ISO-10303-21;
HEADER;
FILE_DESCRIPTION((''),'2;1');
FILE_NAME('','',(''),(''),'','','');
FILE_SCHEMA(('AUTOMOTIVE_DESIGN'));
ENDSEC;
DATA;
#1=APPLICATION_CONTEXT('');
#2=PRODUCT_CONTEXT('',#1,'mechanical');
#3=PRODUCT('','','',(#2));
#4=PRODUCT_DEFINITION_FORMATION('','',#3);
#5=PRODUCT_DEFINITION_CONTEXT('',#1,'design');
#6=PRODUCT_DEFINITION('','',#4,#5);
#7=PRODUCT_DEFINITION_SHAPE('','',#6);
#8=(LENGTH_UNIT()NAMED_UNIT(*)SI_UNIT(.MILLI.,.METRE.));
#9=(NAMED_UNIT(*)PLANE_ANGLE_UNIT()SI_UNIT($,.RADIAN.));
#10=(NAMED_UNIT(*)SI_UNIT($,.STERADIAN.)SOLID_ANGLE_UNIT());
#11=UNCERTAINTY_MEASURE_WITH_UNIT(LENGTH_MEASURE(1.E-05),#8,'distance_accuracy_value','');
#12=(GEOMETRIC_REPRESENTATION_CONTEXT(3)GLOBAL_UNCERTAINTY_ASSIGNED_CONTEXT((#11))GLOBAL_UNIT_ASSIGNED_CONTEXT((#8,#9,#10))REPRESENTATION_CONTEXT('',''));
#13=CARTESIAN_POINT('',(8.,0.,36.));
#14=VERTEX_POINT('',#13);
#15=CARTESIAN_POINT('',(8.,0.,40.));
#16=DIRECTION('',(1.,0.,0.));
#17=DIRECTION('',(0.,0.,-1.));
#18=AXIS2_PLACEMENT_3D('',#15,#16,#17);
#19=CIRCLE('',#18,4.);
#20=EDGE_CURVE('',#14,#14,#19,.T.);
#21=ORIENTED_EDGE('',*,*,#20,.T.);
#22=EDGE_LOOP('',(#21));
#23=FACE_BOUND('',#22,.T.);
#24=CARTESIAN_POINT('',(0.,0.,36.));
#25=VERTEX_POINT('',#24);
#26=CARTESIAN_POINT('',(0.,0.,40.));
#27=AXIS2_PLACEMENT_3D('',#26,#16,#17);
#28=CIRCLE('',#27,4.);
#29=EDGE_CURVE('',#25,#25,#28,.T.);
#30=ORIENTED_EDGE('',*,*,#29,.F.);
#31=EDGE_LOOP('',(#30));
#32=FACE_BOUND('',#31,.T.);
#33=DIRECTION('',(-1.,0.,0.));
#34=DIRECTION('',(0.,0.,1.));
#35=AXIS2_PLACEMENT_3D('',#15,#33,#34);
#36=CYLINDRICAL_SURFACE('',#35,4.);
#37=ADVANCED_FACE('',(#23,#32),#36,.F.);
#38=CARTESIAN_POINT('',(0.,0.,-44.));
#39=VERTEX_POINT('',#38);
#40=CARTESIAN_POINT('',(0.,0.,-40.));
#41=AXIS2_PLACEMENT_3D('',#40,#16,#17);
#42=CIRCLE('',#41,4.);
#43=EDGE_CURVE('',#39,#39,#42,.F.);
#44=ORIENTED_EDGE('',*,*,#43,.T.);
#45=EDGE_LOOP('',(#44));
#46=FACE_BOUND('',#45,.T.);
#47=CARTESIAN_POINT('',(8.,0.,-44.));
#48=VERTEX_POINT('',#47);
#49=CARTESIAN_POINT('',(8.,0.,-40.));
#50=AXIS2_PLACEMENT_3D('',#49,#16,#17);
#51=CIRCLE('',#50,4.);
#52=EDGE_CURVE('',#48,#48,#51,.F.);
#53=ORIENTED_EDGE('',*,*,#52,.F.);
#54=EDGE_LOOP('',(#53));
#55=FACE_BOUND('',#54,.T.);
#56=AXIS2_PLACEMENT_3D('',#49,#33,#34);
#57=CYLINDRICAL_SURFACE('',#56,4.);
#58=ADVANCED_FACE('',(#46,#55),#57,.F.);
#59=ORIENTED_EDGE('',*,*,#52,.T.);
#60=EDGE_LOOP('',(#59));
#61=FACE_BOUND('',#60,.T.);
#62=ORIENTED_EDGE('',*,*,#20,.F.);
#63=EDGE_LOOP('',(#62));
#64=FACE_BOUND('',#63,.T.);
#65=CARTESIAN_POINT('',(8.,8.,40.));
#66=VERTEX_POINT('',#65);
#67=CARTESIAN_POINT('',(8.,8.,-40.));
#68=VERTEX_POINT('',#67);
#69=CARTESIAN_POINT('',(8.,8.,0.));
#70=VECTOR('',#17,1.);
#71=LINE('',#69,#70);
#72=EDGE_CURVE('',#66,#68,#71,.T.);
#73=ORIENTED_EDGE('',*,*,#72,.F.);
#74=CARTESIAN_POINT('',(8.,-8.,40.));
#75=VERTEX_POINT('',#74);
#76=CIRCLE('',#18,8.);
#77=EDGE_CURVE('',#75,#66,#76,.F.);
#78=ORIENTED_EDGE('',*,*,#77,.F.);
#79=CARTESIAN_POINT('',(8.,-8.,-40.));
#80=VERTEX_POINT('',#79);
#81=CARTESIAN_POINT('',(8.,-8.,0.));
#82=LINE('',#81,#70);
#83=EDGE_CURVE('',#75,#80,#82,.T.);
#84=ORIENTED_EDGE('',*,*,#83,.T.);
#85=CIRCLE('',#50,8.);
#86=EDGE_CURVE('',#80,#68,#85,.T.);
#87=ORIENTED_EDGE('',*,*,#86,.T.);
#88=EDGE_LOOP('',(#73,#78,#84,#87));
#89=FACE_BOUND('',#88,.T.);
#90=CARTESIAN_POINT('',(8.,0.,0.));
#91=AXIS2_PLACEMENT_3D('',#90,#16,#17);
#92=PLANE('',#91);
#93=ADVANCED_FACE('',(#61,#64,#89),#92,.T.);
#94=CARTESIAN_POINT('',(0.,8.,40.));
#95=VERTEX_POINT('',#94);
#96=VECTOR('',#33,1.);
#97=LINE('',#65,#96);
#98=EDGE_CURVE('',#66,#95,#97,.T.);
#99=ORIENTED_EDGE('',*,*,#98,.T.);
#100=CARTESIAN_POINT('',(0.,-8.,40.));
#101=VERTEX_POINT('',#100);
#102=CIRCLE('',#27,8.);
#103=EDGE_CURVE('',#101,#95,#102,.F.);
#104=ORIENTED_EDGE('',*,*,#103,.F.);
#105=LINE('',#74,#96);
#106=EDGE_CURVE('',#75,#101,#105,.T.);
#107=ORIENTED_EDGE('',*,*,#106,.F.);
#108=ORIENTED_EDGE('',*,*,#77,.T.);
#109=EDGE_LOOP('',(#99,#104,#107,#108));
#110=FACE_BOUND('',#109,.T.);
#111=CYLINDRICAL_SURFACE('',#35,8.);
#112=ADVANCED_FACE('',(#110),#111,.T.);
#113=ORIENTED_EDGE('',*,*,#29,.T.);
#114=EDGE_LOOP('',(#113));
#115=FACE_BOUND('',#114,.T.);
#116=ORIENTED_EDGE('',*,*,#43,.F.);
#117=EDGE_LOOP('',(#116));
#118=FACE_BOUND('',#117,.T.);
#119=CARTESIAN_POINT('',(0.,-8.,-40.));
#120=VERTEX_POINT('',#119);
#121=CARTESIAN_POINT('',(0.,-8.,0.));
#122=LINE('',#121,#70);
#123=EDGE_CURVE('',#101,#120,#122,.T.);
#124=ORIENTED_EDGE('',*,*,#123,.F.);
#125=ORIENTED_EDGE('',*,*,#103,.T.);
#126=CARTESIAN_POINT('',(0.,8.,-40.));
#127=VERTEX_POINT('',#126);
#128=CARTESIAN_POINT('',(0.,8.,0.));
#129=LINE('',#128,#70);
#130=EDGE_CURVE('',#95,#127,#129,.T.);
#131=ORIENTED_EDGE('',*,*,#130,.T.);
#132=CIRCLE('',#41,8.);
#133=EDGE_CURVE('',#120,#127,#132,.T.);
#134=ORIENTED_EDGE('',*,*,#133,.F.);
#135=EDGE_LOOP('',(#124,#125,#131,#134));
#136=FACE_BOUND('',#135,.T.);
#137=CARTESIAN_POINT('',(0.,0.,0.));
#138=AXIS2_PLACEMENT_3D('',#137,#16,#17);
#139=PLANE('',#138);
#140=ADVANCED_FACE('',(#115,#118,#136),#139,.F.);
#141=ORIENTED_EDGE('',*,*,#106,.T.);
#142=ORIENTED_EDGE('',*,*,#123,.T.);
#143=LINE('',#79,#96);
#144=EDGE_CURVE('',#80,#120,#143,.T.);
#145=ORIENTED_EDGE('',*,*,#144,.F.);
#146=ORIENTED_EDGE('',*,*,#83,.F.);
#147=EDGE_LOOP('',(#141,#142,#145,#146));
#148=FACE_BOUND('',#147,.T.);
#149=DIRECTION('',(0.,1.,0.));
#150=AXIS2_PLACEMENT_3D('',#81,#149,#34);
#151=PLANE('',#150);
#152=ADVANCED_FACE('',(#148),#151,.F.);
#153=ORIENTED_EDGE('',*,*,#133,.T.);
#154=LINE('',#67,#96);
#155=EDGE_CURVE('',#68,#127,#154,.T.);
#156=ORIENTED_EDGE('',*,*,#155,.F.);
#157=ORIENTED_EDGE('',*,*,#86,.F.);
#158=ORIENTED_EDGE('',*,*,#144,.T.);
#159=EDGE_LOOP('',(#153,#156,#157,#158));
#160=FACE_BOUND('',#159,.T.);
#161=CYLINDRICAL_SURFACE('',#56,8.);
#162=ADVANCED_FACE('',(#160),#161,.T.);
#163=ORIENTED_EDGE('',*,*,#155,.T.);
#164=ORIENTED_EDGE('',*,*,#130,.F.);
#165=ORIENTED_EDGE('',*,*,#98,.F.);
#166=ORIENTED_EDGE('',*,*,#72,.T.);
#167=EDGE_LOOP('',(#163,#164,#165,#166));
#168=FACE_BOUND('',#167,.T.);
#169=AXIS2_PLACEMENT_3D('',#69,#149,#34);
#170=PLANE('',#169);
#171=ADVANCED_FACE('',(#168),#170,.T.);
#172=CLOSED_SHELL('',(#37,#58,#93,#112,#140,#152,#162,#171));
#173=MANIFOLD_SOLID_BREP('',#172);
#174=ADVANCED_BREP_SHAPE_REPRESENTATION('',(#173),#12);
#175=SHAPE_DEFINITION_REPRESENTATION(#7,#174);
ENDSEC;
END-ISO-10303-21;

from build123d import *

# Parameters (mm, degrees)
SKETCH_1_R      = 4
EXTRUDE_1_DEPTH = 8


with BuildPart() as part:
    # 草图1 → 凸台-拉伸1 (new body)
    with BuildSketch(Plane(origin=(0, 0, 0), x_dir=(0, 0, -1), z_dir=(1, 0, 0))):
        with BuildLine():
            Line((-40, 8), (40, 8))
            ThreePointArc((40, 8), (48, 0), (40, -8))
            Line((40, -8), (-40, -8))
            ThreePointArc((-40, -8), (-48, 0), (-40, 8))
        make_face()
        with Locations((40, 0)):
            Circle(SKETCH_1_R, mode=Mode.SUBTRACT)
        with Locations((-40, 0)):
            Circle(SKETCH_1_R, mode=Mode.SUBTRACT)
    extrude(amount=EXTRUDE_1_DEPTH)


solid = part.part
